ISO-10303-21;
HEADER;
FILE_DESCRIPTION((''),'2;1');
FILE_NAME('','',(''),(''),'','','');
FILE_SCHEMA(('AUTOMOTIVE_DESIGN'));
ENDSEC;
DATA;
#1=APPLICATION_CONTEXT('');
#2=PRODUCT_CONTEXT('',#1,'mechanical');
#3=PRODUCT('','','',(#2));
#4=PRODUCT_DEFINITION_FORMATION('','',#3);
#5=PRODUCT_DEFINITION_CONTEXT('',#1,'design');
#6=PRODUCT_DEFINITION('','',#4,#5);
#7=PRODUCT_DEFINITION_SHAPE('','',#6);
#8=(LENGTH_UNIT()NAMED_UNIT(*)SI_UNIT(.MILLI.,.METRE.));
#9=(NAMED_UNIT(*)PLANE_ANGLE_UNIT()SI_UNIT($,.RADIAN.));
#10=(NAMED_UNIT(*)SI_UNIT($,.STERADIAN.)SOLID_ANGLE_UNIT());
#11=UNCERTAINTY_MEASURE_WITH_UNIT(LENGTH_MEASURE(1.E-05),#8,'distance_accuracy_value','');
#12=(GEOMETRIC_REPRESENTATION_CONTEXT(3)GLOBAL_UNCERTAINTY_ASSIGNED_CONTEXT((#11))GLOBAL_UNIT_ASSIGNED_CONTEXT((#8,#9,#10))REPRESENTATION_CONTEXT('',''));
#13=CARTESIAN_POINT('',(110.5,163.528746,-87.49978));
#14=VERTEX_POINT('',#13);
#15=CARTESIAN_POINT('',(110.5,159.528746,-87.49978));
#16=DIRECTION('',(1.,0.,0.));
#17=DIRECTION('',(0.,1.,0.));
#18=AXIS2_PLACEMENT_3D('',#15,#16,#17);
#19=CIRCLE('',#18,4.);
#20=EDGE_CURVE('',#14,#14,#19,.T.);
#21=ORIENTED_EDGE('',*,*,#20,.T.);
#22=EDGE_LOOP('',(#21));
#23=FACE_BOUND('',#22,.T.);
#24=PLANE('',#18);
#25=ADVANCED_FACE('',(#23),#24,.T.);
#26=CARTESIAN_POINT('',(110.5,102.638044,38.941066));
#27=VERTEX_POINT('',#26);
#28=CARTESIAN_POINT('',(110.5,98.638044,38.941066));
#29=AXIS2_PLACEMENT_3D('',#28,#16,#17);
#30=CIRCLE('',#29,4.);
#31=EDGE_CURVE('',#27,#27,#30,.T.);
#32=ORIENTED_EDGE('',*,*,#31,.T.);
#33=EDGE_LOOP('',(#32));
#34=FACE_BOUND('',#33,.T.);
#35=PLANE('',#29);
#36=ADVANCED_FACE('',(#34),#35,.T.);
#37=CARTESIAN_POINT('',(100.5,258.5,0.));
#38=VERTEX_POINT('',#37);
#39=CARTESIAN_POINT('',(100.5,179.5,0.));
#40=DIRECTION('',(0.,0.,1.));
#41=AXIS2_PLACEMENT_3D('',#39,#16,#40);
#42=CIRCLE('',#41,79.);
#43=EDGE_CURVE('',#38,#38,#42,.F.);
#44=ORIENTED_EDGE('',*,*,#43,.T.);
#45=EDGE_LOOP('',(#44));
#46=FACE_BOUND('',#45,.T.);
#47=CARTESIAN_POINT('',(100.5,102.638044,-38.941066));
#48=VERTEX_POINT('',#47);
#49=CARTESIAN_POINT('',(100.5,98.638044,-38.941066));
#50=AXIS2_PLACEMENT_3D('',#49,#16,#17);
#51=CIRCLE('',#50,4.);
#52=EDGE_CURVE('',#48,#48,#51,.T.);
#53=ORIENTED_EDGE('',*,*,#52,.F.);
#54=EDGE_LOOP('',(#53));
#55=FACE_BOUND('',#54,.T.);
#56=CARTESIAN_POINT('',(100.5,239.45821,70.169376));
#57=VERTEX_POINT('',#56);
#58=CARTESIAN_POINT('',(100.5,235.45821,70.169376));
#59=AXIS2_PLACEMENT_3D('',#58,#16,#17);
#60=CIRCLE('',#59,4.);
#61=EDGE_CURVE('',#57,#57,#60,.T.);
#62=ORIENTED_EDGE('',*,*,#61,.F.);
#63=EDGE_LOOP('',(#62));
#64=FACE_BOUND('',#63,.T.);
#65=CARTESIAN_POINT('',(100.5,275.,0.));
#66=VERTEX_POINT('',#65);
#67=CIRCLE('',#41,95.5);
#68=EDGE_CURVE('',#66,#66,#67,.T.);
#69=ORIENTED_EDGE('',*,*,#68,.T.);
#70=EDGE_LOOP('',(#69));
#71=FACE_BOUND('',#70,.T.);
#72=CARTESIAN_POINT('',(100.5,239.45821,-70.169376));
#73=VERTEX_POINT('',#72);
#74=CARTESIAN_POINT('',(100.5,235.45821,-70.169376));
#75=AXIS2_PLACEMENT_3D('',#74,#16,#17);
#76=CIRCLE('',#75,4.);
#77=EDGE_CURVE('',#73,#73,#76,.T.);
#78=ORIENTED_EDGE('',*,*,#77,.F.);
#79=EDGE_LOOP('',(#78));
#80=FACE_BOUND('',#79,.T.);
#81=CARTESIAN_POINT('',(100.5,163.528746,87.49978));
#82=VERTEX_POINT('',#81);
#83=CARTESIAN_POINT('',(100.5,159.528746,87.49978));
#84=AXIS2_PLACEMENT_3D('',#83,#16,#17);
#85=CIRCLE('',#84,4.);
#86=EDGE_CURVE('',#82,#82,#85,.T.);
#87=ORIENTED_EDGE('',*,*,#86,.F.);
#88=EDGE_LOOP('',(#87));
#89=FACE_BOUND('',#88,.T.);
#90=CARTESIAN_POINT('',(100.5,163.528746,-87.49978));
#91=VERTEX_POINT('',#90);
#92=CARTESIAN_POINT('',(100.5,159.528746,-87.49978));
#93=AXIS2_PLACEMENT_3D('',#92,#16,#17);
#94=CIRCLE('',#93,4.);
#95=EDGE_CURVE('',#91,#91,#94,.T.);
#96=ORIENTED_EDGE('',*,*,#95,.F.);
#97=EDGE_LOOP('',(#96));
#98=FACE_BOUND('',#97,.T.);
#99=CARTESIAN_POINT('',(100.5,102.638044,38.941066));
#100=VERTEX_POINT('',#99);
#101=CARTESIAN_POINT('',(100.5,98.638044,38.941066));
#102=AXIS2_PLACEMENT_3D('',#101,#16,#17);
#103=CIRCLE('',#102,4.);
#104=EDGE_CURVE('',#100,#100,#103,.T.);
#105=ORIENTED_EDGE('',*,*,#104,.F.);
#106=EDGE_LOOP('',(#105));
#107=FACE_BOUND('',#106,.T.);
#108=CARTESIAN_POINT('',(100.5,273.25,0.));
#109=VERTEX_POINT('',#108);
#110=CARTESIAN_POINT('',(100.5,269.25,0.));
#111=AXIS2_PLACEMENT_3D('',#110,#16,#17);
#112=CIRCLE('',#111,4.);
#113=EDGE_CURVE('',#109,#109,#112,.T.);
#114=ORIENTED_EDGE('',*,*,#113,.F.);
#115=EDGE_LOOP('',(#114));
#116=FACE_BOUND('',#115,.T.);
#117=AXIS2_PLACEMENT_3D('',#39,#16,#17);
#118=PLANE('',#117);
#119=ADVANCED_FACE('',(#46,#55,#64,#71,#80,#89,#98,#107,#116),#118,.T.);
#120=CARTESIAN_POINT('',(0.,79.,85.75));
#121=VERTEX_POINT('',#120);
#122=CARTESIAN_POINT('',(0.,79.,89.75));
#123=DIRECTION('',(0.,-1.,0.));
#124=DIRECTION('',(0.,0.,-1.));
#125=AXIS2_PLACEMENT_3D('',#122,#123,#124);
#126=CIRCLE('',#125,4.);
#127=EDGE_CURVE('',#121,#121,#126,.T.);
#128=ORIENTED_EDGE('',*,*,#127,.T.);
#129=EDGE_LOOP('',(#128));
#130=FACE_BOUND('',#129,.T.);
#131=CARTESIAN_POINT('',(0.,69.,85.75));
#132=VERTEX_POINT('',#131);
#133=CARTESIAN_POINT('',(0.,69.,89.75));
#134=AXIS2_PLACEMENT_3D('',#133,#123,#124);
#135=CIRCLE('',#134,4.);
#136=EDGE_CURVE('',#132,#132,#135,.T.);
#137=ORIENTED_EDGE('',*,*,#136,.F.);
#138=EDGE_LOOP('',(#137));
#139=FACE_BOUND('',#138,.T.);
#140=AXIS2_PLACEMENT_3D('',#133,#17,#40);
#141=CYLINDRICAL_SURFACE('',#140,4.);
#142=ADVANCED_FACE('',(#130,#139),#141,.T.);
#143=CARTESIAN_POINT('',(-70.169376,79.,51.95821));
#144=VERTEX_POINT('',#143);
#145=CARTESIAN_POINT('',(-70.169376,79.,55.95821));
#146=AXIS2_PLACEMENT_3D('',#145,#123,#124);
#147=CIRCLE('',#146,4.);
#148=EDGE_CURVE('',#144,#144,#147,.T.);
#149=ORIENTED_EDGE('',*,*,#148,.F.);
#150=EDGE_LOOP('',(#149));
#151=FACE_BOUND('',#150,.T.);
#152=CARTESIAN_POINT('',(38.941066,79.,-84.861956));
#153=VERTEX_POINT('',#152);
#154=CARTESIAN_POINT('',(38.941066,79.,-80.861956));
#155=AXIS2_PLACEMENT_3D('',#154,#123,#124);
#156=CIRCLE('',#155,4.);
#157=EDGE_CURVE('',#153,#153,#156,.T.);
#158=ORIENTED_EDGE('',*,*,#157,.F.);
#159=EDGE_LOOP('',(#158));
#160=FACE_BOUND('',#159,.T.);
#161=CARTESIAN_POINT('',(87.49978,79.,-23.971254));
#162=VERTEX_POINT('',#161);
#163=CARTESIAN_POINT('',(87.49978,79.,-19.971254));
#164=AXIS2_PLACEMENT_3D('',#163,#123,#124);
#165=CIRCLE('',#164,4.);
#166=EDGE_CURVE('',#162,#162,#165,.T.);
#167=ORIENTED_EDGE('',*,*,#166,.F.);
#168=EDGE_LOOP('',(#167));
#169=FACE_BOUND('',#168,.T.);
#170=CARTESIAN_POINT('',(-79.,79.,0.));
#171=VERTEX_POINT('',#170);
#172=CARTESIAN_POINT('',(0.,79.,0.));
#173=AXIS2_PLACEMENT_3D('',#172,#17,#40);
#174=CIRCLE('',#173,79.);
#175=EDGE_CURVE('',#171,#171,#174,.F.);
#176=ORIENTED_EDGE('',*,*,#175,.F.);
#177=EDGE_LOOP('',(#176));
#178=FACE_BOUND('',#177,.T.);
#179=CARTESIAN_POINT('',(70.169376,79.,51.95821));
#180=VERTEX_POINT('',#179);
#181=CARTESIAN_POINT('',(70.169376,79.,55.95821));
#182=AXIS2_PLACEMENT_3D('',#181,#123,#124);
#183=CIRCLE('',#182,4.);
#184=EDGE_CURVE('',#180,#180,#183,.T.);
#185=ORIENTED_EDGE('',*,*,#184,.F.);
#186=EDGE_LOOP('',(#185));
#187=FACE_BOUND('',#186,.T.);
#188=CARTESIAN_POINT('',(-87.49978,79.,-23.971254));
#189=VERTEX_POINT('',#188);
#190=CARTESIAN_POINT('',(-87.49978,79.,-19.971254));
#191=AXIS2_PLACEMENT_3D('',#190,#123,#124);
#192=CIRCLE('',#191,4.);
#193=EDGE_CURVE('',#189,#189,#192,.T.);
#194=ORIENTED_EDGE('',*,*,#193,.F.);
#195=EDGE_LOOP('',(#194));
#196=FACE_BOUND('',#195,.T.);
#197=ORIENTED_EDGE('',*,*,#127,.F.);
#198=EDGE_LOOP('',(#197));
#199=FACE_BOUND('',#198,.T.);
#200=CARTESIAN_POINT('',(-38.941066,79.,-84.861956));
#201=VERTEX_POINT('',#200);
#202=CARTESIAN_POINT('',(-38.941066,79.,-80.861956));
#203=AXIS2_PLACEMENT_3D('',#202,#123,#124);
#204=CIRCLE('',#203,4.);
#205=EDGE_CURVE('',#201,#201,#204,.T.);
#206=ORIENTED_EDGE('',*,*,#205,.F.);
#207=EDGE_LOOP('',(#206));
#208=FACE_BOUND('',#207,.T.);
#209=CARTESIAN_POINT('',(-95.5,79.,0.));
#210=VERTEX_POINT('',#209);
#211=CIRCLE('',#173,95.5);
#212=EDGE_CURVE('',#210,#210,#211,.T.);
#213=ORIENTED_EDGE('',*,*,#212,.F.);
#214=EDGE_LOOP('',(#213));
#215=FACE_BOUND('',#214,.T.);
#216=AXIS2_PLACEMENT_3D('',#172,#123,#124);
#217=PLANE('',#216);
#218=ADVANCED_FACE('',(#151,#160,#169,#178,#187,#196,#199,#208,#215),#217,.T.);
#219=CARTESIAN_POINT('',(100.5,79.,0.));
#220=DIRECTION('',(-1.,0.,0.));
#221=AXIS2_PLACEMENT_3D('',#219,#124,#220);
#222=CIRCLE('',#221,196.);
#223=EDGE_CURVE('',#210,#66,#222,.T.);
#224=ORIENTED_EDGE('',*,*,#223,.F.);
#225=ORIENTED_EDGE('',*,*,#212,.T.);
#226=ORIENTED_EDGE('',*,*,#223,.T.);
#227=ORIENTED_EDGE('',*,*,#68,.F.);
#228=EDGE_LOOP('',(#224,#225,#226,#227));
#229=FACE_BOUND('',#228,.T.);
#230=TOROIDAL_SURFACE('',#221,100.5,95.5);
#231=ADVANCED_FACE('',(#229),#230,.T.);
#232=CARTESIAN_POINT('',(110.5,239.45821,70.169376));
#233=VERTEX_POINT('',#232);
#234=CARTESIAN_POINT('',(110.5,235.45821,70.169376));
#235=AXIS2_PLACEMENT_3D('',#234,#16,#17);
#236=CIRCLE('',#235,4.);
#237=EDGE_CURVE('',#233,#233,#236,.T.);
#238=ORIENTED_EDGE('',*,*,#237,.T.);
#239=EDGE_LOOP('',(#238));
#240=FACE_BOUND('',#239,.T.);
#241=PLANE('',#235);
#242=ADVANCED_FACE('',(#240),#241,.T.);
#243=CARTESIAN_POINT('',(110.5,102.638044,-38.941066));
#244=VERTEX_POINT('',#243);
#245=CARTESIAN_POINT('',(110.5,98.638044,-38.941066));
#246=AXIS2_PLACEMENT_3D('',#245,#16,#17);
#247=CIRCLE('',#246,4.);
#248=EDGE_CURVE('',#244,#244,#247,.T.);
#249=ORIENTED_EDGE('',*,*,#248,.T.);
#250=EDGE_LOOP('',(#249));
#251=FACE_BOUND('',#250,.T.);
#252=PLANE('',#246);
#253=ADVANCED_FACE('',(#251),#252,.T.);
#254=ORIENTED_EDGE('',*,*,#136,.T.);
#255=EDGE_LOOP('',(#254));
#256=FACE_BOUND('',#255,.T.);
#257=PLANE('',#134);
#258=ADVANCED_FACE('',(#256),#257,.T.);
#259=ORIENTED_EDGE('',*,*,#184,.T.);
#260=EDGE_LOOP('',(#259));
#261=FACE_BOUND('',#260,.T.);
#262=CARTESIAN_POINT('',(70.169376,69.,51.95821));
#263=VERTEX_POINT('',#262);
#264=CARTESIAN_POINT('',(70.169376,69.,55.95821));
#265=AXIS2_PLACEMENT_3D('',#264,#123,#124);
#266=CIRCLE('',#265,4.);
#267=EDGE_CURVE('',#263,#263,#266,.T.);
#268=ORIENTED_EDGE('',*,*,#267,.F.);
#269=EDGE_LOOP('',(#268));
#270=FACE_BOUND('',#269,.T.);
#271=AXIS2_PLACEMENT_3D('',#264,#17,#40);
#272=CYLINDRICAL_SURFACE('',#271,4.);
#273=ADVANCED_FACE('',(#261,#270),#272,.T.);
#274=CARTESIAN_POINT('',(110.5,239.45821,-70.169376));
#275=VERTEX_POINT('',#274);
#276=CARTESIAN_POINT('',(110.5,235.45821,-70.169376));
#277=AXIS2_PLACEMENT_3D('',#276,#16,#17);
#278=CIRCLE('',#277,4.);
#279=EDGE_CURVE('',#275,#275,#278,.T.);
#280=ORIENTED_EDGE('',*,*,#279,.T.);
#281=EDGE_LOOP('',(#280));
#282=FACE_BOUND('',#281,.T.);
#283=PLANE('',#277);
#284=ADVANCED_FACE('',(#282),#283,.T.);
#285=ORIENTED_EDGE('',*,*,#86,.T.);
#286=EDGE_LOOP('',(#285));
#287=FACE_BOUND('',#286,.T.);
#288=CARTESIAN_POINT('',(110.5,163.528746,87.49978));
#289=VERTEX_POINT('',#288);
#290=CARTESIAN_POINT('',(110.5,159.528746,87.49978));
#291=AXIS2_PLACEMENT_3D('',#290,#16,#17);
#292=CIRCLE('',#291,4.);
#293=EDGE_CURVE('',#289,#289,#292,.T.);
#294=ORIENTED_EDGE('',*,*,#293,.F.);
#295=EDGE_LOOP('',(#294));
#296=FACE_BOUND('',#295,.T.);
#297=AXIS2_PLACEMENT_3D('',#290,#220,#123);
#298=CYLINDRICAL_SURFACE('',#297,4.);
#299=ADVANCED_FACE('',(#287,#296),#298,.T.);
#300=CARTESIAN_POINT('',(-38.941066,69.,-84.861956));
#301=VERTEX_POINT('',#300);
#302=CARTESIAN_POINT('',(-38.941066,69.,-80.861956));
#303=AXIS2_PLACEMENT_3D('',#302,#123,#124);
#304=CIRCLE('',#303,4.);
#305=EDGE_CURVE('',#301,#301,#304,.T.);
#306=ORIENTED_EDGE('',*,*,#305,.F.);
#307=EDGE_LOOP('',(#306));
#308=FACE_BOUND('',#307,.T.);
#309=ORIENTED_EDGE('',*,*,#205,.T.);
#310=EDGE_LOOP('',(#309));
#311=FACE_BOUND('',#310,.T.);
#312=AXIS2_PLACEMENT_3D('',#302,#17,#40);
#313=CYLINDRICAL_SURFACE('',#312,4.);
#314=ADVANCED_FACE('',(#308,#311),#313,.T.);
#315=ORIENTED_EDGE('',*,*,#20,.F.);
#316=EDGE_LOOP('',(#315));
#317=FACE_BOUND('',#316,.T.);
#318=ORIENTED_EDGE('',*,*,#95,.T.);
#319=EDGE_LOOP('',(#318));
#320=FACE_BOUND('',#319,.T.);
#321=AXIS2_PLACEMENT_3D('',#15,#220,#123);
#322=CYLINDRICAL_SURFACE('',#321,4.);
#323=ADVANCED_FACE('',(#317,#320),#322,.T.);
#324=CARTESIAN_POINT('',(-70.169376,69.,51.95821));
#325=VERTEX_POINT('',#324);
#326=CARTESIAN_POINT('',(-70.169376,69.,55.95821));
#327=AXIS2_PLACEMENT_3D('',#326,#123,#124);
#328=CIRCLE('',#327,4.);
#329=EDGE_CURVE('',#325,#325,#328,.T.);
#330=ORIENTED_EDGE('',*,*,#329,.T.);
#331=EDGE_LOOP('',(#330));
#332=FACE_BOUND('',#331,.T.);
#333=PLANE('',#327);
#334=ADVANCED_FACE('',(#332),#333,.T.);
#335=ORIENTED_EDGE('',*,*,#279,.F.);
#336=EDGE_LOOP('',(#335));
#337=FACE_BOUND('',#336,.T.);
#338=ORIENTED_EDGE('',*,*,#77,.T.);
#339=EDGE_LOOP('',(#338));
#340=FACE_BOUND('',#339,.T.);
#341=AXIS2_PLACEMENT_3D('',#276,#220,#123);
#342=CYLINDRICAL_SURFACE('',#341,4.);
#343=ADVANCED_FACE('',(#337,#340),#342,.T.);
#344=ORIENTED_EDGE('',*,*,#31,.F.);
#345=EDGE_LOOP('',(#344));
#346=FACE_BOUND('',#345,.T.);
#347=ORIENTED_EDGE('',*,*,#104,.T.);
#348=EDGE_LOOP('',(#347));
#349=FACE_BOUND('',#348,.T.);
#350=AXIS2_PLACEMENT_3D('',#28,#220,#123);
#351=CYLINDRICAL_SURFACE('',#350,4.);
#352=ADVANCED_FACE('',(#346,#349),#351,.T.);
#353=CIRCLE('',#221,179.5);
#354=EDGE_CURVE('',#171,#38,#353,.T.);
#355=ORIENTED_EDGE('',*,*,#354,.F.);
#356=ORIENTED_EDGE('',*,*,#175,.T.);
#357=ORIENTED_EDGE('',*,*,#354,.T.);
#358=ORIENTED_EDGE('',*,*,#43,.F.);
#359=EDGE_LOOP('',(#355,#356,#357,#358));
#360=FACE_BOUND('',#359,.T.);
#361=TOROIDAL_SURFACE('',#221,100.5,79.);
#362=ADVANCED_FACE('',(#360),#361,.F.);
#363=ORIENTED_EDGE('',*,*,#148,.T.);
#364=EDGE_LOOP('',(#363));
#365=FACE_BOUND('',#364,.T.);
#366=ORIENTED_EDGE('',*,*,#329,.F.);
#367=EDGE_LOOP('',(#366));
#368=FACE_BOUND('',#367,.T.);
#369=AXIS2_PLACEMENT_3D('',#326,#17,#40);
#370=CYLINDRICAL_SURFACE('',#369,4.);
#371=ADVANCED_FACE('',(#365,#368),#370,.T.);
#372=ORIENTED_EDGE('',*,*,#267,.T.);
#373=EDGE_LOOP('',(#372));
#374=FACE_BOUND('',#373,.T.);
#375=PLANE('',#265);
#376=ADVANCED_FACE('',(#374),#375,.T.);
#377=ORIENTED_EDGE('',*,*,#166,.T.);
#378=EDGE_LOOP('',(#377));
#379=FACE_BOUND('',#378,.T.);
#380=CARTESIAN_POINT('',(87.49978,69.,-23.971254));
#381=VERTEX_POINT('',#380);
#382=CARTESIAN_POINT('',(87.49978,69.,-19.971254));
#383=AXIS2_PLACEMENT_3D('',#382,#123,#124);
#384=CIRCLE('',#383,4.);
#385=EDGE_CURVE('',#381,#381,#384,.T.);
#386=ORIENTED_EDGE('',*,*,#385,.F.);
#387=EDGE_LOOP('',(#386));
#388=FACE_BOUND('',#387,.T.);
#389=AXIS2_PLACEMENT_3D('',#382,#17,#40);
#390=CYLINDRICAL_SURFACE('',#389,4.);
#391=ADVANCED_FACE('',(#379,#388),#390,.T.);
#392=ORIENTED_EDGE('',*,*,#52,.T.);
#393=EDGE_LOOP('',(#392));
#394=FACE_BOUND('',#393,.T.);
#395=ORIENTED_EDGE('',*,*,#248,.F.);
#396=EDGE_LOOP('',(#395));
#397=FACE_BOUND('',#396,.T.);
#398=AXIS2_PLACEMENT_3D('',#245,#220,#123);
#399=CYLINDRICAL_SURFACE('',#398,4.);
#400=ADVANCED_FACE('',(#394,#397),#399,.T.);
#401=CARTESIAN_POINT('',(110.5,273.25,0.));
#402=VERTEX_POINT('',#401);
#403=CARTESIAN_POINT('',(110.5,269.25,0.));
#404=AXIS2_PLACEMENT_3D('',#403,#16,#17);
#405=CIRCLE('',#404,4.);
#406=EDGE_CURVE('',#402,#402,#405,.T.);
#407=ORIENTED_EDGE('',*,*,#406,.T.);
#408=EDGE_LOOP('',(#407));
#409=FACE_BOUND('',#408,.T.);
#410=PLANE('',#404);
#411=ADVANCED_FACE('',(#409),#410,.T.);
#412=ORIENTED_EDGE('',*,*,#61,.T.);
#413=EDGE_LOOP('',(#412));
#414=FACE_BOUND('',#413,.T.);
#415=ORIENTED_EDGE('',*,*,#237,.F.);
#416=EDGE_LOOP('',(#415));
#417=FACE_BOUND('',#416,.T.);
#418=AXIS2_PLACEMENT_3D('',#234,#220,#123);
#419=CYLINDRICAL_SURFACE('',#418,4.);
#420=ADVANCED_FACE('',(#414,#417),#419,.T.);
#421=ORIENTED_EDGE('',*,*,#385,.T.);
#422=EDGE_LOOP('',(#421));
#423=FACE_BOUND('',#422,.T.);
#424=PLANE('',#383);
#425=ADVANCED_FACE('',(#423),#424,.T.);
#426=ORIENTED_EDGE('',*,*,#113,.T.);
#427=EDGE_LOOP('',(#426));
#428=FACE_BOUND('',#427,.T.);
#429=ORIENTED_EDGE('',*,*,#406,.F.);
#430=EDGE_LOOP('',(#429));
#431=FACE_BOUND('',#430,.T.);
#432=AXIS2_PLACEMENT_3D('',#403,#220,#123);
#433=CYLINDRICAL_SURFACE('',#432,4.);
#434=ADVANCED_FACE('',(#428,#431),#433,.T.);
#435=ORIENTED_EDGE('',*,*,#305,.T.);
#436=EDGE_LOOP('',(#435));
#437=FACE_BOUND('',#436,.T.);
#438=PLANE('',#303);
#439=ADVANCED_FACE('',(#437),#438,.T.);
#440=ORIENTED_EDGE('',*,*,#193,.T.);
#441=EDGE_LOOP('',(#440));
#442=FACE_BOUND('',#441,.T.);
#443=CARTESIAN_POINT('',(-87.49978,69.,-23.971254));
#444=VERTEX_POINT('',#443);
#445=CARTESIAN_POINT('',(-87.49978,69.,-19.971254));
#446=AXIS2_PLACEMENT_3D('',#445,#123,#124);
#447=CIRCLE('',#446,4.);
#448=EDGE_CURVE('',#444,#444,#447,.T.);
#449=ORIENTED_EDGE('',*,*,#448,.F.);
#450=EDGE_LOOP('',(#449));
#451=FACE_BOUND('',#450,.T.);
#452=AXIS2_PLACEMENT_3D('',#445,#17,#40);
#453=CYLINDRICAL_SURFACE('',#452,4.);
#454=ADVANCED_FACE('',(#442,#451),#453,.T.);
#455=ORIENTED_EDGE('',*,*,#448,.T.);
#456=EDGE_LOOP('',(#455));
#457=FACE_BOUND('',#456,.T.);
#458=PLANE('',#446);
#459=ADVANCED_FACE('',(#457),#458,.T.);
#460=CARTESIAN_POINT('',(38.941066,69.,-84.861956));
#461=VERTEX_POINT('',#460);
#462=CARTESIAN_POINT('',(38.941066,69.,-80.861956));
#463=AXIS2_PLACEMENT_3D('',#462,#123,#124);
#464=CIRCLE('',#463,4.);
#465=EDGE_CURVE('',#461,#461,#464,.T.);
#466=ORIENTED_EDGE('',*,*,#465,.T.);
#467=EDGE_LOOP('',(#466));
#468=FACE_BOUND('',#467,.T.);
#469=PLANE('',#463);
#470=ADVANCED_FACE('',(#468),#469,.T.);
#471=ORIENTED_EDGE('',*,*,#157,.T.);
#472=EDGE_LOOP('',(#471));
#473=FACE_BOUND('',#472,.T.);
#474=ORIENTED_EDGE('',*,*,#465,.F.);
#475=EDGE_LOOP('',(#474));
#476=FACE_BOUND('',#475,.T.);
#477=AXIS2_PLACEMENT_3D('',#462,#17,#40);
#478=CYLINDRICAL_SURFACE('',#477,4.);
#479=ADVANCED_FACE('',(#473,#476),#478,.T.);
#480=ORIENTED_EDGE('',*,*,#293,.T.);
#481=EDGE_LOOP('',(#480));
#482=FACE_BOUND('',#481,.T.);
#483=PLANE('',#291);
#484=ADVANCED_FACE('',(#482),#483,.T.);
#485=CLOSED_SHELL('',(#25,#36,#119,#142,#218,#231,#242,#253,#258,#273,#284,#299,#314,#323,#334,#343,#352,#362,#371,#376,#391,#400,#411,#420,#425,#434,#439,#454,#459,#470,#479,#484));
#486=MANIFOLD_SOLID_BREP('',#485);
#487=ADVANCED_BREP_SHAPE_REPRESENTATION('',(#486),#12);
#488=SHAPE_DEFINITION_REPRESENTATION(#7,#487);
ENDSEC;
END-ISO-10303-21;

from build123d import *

# Parameters (mm, degrees)
CROQUIS4_R              = 95.5
CROQUIS4_R_2            = 79
CORTAR_EXTRUIR1_START   = -79
CROQUIS6_R              = 85
CROQUIS6_R_2            = 79
CORTAR_EXTRUIR1_DEPTH   = 79
CROQUIS7_R              = 85
CROQUIS7_R_2            = 79
CORTAR_EXTRUIR2_DEPTH   = 79
CROQUIS8_R              = 95.5
CORTAR_EXTRUIR3_DEPTH   = 79
CROQUIS10_R             = 4
SALIENTE_EXTRUIR3_DEPTH = 10
CROQUIS11_R             = 95.5
CORTAR_EXTRUIR4_DEPTH   = 351.943371662
CROQUIS12_R             = 4
SALIENTE_EXTRUIR4_DEPTH = 10


with BuildPart() as part:
    # Barrer5: sweep along a path in Croquis3
    with BuildLine(Plane.XY) as barrer5_path:
        Line((0, 0), (0, 79))
        ThreePointArc((0, 79), (29.435768491, 150.064231509), (100.5, 179.5))
        Line((100.5, 179.5), (179.5, 179.5))
    # Croquis4 → Barrer5 (sweep)
    with BuildSketch(Plane(origin=(0, 0, 0), x_dir=(1, 0, 0), z_dir=(0, 1, 0))):
        Circle(CROQUIS4_R)
        Circle(CROQUIS4_R_2, mode=Mode.SUBTRACT)
    sweep(path=barrer5_path.line)

    # Croquis6 → Cortar-Extruir1 (cut)
    with BuildSketch(Plane.XZ.offset(CORTAR_EXTRUIR1_START)):
        with Locations(Location((0, 0, 0), (0, 0, 270))):
            Circle(CROQUIS6_R)
        Circle(CROQUIS6_R_2, mode=Mode.SUBTRACT)
    extrude(amount=CORTAR_EXTRUIR1_DEPTH, mode=Mode.SUBTRACT)

    # Croquis7 → Cortar-Extruir2 (cut)
    with BuildSketch(Plane(origin=(179.5, 0, 0), x_dir=(0, 0, -1), z_dir=(1, 0, 0))):
        with Locations(Location((0, 179.5, 0), (0, 0, 90))):
            Circle(CROQUIS7_R)
        with Locations((0, 179.5)):
            Circle(CROQUIS7_R_2, mode=Mode.SUBTRACT)
    extrude(amount=-CORTAR_EXTRUIR2_DEPTH, mode=Mode.SUBTRACT)

    # Croquis8 → Cortar-Extruir3 (cut)
    with BuildSketch(Plane.XZ.offset(-79)):
        Circle(CROQUIS8_R)
    extrude(amount=CORTAR_EXTRUIR3_DEPTH, mode=Mode.SUBTRACT)

    # Croquis10 → Saliente-Extruir3 (add)
    with BuildSketch(Plane.XZ.offset(-79)):
        with Locations(Location((0, 89.75, 0), (0, 0, 270))):
            Circle(CROQUIS10_R)
        with Locations(Location((70.169375552, 55.958209717, 0), (0, 0, 270))):
            Circle(CROQUIS10_R)
        with Locations(Location((87.499780118, -19.971253823, 0), (0, 0, 270))):
            Circle(CROQUIS10_R)
        with Locations(Location((38.941065586, -80.861955894, 0), (0, 0, 270))):
            Circle(CROQUIS10_R)
        with Locations(Location((-38.941065586, -80.861955894, 0), (0, 0, 270))):
            Circle(CROQUIS10_R)
        with Locations(Location((-87.499780118, -19.971253823, 0), (0, 0, 270))):
            Circle(CROQUIS10_R)
        with Locations(Location((-70.169375552, 55.958209717, 0), (0, 0, 270))):
            Circle(CROQUIS10_R)
    extrude(amount=SALIENTE_EXTRUIR3_DEPTH)

    # Croquis11 → Cortar-Extruir4 (cut, through all)
    with BuildSketch(Plane(origin=(100.5, 0, 0), x_dir=(0, 0, -1), z_dir=(1, 0, 0))):
        with Locations((0, 179.5)):
            Circle(CROQUIS11_R)
    extrude(amount=CORTAR_EXTRUIR4_DEPTH, mode=Mode.SUBTRACT)

    # Croquis12 → Saliente-Extruir4 (add)
    with BuildSketch(Plane(origin=(100.5, 0, 0), x_dir=(0, 0, -1), z_dir=(1, 0, 0))):
        with Locations(Location((0, 269.25, 0), (0, 0, 90))):
            Circle(CROQUIS12_R)
        with Locations(Location((70.169375552, 235.458209717, 0), (0, 0, 90))):
            Circle(CROQUIS12_R)
        with Locations(Location((87.499780118, 159.528746177, 0), (0, 0, 90))):
            Circle(CROQUIS12_R)
        with Locations(Location((38.941065586, 98.638044106, 0), (0, 0, 90))):
            Circle(CROQUIS12_R)
        with Locations(Location((-38.941065586, 98.638044106, 0), (0, 0, 90))):
            Circle(CROQUIS12_R)
        with Locations(Location((-87.499780118, 159.528746177, 0), (0, 0, 90))):
            Circle(CROQUIS12_R)
        with Locations(Location((-70.169375552, 235.458209717, 0), (0, 0, 90))):
            Circle(CROQUIS12_R)
    extrude(amount=SALIENTE_EXTRUIR4_DEPTH)


solid = part.part
